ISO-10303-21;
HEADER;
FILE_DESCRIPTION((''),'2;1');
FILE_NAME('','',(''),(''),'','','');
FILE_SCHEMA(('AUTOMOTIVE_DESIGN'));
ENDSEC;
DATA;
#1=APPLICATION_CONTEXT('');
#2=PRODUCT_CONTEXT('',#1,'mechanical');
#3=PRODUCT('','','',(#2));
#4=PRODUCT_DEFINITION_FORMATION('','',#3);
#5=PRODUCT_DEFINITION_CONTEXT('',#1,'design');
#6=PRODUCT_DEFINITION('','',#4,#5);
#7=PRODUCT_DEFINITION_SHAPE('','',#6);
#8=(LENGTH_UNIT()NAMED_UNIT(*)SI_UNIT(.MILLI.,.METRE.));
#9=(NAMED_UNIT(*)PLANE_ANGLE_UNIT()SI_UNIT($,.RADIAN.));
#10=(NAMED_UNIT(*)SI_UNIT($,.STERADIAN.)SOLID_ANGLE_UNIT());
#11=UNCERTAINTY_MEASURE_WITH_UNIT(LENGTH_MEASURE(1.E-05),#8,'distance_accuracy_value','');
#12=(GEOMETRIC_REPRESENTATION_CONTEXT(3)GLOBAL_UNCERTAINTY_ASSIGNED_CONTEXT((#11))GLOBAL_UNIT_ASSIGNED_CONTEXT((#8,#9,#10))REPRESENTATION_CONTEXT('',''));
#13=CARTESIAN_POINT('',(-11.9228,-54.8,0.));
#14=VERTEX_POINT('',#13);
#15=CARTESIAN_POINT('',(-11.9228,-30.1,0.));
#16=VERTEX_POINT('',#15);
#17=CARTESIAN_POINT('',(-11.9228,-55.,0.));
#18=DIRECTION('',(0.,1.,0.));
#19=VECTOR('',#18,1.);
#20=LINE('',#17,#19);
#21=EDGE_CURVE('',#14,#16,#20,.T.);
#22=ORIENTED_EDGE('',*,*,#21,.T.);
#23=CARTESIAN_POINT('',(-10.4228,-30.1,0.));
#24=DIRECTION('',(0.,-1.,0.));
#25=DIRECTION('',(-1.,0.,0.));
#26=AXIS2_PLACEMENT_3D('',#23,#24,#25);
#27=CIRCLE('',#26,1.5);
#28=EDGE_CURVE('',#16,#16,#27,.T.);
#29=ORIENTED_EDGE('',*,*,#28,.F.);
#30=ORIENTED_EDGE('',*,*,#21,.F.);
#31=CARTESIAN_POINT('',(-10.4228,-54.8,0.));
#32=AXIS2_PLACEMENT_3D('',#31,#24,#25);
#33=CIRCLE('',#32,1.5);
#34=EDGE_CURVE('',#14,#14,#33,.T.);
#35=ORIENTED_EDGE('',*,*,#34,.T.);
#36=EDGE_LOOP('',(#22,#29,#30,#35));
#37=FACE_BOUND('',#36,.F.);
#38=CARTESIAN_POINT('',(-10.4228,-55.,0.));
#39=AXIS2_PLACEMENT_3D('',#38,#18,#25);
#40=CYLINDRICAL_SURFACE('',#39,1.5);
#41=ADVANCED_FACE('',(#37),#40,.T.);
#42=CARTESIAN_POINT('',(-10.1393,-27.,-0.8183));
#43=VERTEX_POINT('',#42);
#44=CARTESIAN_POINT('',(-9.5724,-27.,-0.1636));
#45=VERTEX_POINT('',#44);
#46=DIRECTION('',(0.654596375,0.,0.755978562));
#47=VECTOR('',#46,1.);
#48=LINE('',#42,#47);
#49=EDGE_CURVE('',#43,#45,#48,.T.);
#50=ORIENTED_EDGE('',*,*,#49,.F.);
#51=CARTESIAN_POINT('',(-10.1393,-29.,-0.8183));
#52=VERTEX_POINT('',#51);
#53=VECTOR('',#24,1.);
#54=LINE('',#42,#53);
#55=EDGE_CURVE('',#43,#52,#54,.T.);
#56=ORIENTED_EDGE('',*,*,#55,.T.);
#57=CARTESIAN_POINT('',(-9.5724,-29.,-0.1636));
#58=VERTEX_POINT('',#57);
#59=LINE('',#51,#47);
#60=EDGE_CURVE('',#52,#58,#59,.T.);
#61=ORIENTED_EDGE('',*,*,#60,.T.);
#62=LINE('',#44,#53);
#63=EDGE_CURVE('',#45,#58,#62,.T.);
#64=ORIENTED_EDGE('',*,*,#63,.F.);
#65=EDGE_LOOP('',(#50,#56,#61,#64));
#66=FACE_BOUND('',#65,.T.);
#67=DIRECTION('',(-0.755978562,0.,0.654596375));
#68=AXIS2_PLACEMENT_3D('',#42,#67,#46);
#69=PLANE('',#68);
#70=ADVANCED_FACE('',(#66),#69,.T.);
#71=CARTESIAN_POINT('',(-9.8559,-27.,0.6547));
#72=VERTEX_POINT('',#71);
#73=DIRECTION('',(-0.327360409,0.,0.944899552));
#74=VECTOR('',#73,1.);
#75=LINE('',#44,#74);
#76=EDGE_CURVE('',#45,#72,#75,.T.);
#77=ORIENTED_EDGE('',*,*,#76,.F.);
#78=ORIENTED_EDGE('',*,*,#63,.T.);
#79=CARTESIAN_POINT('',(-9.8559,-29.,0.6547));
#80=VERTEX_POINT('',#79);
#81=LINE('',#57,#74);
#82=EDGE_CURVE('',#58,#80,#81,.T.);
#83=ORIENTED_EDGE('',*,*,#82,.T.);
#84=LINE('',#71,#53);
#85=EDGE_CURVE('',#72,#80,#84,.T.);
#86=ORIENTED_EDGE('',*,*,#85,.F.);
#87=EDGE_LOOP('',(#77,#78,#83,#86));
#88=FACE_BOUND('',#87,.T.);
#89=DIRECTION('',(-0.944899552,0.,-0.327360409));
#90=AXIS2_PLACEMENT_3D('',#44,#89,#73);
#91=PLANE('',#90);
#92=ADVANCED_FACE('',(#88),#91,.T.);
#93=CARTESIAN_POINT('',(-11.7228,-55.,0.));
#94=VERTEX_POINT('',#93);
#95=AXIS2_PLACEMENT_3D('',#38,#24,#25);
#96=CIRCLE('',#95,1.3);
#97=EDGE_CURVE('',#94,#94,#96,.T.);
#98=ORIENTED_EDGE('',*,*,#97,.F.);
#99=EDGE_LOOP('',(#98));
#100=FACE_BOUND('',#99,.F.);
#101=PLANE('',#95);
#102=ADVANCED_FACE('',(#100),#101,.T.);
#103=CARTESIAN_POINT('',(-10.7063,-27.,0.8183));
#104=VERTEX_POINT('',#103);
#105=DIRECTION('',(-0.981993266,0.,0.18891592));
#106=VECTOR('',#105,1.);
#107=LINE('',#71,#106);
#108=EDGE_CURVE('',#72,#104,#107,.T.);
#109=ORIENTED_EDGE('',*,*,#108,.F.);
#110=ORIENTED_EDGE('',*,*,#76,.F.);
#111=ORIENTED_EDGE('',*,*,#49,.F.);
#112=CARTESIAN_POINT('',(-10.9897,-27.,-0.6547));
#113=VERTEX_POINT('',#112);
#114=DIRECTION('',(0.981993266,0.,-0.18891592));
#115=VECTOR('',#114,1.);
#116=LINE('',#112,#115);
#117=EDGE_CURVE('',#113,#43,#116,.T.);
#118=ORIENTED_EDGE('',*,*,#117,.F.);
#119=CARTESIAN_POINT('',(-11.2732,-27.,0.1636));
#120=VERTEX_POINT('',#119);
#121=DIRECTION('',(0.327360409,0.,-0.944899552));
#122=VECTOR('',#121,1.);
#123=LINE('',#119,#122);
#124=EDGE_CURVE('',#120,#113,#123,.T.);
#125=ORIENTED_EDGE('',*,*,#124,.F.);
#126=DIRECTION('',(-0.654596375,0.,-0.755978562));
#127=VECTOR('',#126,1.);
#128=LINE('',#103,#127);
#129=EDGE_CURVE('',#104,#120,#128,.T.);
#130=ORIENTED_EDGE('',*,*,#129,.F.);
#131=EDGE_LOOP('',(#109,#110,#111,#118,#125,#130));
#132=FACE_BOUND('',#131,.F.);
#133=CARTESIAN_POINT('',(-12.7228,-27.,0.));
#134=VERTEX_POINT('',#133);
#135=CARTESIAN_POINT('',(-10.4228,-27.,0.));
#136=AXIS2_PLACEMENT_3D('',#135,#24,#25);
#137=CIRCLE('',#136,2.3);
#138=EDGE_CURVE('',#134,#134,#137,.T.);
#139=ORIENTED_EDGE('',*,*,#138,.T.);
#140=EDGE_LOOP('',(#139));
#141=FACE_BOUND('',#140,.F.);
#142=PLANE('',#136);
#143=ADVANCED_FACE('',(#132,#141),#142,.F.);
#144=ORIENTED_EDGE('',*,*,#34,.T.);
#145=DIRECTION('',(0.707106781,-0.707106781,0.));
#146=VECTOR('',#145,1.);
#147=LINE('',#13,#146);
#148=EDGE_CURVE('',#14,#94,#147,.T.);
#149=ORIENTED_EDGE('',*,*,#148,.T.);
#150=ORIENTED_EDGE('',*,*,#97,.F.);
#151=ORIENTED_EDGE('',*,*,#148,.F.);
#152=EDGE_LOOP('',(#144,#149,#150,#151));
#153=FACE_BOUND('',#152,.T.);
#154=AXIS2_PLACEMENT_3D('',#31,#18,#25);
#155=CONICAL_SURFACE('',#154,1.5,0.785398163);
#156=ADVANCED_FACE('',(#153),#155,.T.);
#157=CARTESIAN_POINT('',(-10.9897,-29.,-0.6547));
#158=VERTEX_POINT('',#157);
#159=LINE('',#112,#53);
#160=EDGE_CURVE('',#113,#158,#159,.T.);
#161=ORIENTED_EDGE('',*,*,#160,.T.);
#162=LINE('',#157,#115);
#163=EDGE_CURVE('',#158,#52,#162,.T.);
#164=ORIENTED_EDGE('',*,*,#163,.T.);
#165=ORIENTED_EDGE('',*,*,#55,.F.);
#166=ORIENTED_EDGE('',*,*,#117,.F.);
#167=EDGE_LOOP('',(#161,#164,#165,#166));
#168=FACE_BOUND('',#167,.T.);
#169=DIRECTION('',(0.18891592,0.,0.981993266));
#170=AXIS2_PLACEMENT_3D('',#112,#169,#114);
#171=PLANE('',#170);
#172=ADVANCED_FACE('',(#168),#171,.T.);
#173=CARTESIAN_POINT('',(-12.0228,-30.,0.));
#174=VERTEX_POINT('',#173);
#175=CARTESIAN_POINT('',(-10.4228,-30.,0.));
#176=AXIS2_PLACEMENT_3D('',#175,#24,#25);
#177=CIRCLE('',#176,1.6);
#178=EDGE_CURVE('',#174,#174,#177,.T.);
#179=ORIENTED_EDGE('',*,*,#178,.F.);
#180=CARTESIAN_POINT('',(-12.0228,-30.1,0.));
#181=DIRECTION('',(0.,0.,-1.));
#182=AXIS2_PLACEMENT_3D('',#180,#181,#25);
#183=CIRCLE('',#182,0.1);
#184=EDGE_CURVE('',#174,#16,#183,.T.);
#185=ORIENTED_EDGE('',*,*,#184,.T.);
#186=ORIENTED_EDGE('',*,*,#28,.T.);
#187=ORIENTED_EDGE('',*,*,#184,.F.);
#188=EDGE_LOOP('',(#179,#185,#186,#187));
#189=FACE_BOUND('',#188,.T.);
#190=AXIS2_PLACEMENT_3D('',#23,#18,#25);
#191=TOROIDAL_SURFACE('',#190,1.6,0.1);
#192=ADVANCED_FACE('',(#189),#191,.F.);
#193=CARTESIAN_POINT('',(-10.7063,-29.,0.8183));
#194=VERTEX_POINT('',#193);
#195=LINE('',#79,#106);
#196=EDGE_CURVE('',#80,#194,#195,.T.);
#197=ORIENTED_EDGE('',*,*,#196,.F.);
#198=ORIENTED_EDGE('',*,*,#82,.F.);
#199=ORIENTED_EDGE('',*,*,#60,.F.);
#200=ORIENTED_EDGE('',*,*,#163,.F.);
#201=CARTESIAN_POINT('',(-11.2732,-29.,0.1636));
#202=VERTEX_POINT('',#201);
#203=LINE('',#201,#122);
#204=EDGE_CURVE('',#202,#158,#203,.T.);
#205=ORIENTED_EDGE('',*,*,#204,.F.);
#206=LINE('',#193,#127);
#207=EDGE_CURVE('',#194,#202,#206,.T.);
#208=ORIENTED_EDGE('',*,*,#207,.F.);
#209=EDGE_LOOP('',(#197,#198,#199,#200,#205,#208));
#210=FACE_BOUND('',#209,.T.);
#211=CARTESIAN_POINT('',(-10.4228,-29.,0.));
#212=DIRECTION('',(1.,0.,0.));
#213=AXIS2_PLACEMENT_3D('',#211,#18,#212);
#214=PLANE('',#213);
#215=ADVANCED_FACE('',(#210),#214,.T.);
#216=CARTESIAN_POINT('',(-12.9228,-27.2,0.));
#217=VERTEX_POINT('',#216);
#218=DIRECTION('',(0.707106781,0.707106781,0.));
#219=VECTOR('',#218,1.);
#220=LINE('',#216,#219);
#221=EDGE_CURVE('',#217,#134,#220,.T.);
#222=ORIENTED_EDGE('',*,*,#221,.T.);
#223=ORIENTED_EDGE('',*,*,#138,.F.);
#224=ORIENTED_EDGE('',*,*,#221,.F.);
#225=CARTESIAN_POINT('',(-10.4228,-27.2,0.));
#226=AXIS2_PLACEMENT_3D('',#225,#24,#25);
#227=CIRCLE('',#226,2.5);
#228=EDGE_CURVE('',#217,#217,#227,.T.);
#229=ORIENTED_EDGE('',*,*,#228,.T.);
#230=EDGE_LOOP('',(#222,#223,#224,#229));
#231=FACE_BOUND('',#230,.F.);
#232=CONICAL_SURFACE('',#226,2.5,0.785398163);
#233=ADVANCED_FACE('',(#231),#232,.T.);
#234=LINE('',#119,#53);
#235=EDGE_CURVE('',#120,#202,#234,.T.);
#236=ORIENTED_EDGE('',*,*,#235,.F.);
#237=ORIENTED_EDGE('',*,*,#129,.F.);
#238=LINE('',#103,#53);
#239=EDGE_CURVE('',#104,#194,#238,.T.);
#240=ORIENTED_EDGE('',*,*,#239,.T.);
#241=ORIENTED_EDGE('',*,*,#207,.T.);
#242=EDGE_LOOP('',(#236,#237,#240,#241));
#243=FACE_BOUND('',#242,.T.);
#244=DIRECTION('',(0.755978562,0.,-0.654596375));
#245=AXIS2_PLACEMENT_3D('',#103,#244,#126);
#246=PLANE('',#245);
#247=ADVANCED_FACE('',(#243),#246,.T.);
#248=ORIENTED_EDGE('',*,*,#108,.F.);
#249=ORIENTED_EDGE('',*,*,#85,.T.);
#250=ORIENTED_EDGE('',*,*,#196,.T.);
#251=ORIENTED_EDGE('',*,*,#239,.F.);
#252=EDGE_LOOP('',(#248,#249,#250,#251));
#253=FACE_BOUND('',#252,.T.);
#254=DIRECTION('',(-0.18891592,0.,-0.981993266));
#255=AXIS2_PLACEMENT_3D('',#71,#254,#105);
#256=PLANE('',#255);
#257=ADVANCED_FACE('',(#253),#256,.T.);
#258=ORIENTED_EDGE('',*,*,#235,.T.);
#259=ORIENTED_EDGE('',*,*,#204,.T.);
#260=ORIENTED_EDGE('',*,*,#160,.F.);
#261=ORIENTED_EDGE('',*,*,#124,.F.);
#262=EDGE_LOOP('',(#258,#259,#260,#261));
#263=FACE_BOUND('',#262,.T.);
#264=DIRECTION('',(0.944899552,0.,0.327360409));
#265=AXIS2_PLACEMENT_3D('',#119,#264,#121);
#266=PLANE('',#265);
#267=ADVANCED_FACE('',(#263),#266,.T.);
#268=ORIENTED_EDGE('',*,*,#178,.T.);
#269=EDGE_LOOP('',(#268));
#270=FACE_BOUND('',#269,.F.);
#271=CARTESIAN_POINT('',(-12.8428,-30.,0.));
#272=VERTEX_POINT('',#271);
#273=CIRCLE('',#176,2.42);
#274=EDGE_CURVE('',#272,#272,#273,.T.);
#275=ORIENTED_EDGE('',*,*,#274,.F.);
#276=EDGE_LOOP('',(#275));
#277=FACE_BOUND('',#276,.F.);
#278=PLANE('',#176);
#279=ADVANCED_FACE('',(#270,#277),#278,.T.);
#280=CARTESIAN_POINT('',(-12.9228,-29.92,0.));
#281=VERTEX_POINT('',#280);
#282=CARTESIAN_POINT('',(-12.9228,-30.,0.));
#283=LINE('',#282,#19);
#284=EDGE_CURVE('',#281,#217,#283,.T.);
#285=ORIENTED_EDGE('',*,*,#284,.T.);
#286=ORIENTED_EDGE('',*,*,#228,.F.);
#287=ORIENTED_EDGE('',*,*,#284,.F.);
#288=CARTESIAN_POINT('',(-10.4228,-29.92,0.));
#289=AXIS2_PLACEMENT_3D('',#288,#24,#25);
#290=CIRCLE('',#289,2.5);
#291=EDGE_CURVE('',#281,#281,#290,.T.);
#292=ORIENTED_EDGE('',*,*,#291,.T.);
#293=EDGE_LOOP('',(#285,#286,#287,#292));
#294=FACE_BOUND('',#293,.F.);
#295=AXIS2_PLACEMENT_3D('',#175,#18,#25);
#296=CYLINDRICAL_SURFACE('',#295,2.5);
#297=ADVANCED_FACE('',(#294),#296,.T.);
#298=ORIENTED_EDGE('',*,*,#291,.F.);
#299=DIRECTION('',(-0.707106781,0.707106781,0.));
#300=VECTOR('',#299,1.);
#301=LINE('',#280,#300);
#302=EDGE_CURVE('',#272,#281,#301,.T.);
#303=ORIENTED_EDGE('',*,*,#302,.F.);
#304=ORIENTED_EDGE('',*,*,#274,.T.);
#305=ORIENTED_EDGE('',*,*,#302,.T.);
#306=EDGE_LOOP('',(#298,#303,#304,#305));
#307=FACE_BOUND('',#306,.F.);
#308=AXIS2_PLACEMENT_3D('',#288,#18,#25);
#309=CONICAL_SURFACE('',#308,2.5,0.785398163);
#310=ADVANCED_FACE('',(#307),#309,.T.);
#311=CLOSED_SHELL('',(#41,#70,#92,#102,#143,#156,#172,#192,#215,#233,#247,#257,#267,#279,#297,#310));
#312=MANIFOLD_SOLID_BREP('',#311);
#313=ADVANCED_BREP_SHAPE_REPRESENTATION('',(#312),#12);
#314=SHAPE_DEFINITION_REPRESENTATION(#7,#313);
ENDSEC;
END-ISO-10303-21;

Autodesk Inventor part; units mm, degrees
ref_plane "YZ Plane" through (0, 0, 0) normal (1, 0, 0) x (0, 1, 0)
ref_plane "XZ Plane" through (0, 0, 0) normal (0, 1, 0) x (-1, 0, 0)
ref_plane "XY Plane" through (0, 0, 0) normal (0, 0, 1) x (1, 0, 0)
sketch "Sketch1" plane through (0, 0, 0) normal (0, 0, 1) x (1, 0, 0)
  line L0 (-10.4228, -30) -> (-12.9228, -30)
  line L1 (-12.9228, -30) -> (-12.9228, -27)
  line L2 (-12.9228, -27) -> (-10.4228, -27)
  line L3 (-10.4228, -27) -> (-10.4228, -30)
  line L4 (-10.4228, -30) -> (-10.4228, -55)
  line L5 (-10.4228, -55) -> (-11.9228, -55)
  line L6 (-11.9228, -55) -> (-11.9228, -30)
  point P0 (0, 0)
  dimension "d0" = 2.5
  dimension "d1" = 3
  dimension "d3" = 1.5
  dimension "d16" = 25
revolve "Revolution1" add sketch "Sketch1" angle 360 about axis through (-10.4228, -30, 0) along (0, -1, 0)
chamfer "Chamfer1" distance 0.2 angle 45 1 edges at (-7.9228, -27, 0)
sketch "Boceto2" plane through (-10.4228, -27, 0) normal (0, 1, 0) x (1, 0, 0)
  line L0 (0.5669, -0.6547) -> (-0.2835, -0.8183)
  line L1 (-0.2835, -0.8183) -> (-0.8504, -0.1636)
  line L2 (-0.8504, -0.1636) -> (-0.5669, 0.6547)
  line L3 (-0.5669, 0.6547) -> (0.2835, 0.8183)
  line L4 (0.2835, 0.8183) -> (0.8504, 0.1636)
  line L5 (0.8504, 0.1636) -> (0.5669, -0.6547)
  point P0 (10.4228, 0)
  point P1 (0, 0)
  dimension "d11" = 1.5
extrude "Extrusión1" cut sketch "Boceto2" against normal blind 2
fillet "Fillet1" radius 0.1 1 edges at (-8.9228, -30, 0)
chamfer "Chamfer3" distance 0.2 angle 45 1 edges at (-8.9228, -55, 0)
chamfer "Chamfer4" distance 0.08 angle 45 1 edges at (-7.9228, -30, 0)
thread "Thread3" size "M3x0.5" class "6g" standard "ISO Metric profile" length 70
properties part number "Tornillo Allen cabeza cilindrica M3x20mm"
